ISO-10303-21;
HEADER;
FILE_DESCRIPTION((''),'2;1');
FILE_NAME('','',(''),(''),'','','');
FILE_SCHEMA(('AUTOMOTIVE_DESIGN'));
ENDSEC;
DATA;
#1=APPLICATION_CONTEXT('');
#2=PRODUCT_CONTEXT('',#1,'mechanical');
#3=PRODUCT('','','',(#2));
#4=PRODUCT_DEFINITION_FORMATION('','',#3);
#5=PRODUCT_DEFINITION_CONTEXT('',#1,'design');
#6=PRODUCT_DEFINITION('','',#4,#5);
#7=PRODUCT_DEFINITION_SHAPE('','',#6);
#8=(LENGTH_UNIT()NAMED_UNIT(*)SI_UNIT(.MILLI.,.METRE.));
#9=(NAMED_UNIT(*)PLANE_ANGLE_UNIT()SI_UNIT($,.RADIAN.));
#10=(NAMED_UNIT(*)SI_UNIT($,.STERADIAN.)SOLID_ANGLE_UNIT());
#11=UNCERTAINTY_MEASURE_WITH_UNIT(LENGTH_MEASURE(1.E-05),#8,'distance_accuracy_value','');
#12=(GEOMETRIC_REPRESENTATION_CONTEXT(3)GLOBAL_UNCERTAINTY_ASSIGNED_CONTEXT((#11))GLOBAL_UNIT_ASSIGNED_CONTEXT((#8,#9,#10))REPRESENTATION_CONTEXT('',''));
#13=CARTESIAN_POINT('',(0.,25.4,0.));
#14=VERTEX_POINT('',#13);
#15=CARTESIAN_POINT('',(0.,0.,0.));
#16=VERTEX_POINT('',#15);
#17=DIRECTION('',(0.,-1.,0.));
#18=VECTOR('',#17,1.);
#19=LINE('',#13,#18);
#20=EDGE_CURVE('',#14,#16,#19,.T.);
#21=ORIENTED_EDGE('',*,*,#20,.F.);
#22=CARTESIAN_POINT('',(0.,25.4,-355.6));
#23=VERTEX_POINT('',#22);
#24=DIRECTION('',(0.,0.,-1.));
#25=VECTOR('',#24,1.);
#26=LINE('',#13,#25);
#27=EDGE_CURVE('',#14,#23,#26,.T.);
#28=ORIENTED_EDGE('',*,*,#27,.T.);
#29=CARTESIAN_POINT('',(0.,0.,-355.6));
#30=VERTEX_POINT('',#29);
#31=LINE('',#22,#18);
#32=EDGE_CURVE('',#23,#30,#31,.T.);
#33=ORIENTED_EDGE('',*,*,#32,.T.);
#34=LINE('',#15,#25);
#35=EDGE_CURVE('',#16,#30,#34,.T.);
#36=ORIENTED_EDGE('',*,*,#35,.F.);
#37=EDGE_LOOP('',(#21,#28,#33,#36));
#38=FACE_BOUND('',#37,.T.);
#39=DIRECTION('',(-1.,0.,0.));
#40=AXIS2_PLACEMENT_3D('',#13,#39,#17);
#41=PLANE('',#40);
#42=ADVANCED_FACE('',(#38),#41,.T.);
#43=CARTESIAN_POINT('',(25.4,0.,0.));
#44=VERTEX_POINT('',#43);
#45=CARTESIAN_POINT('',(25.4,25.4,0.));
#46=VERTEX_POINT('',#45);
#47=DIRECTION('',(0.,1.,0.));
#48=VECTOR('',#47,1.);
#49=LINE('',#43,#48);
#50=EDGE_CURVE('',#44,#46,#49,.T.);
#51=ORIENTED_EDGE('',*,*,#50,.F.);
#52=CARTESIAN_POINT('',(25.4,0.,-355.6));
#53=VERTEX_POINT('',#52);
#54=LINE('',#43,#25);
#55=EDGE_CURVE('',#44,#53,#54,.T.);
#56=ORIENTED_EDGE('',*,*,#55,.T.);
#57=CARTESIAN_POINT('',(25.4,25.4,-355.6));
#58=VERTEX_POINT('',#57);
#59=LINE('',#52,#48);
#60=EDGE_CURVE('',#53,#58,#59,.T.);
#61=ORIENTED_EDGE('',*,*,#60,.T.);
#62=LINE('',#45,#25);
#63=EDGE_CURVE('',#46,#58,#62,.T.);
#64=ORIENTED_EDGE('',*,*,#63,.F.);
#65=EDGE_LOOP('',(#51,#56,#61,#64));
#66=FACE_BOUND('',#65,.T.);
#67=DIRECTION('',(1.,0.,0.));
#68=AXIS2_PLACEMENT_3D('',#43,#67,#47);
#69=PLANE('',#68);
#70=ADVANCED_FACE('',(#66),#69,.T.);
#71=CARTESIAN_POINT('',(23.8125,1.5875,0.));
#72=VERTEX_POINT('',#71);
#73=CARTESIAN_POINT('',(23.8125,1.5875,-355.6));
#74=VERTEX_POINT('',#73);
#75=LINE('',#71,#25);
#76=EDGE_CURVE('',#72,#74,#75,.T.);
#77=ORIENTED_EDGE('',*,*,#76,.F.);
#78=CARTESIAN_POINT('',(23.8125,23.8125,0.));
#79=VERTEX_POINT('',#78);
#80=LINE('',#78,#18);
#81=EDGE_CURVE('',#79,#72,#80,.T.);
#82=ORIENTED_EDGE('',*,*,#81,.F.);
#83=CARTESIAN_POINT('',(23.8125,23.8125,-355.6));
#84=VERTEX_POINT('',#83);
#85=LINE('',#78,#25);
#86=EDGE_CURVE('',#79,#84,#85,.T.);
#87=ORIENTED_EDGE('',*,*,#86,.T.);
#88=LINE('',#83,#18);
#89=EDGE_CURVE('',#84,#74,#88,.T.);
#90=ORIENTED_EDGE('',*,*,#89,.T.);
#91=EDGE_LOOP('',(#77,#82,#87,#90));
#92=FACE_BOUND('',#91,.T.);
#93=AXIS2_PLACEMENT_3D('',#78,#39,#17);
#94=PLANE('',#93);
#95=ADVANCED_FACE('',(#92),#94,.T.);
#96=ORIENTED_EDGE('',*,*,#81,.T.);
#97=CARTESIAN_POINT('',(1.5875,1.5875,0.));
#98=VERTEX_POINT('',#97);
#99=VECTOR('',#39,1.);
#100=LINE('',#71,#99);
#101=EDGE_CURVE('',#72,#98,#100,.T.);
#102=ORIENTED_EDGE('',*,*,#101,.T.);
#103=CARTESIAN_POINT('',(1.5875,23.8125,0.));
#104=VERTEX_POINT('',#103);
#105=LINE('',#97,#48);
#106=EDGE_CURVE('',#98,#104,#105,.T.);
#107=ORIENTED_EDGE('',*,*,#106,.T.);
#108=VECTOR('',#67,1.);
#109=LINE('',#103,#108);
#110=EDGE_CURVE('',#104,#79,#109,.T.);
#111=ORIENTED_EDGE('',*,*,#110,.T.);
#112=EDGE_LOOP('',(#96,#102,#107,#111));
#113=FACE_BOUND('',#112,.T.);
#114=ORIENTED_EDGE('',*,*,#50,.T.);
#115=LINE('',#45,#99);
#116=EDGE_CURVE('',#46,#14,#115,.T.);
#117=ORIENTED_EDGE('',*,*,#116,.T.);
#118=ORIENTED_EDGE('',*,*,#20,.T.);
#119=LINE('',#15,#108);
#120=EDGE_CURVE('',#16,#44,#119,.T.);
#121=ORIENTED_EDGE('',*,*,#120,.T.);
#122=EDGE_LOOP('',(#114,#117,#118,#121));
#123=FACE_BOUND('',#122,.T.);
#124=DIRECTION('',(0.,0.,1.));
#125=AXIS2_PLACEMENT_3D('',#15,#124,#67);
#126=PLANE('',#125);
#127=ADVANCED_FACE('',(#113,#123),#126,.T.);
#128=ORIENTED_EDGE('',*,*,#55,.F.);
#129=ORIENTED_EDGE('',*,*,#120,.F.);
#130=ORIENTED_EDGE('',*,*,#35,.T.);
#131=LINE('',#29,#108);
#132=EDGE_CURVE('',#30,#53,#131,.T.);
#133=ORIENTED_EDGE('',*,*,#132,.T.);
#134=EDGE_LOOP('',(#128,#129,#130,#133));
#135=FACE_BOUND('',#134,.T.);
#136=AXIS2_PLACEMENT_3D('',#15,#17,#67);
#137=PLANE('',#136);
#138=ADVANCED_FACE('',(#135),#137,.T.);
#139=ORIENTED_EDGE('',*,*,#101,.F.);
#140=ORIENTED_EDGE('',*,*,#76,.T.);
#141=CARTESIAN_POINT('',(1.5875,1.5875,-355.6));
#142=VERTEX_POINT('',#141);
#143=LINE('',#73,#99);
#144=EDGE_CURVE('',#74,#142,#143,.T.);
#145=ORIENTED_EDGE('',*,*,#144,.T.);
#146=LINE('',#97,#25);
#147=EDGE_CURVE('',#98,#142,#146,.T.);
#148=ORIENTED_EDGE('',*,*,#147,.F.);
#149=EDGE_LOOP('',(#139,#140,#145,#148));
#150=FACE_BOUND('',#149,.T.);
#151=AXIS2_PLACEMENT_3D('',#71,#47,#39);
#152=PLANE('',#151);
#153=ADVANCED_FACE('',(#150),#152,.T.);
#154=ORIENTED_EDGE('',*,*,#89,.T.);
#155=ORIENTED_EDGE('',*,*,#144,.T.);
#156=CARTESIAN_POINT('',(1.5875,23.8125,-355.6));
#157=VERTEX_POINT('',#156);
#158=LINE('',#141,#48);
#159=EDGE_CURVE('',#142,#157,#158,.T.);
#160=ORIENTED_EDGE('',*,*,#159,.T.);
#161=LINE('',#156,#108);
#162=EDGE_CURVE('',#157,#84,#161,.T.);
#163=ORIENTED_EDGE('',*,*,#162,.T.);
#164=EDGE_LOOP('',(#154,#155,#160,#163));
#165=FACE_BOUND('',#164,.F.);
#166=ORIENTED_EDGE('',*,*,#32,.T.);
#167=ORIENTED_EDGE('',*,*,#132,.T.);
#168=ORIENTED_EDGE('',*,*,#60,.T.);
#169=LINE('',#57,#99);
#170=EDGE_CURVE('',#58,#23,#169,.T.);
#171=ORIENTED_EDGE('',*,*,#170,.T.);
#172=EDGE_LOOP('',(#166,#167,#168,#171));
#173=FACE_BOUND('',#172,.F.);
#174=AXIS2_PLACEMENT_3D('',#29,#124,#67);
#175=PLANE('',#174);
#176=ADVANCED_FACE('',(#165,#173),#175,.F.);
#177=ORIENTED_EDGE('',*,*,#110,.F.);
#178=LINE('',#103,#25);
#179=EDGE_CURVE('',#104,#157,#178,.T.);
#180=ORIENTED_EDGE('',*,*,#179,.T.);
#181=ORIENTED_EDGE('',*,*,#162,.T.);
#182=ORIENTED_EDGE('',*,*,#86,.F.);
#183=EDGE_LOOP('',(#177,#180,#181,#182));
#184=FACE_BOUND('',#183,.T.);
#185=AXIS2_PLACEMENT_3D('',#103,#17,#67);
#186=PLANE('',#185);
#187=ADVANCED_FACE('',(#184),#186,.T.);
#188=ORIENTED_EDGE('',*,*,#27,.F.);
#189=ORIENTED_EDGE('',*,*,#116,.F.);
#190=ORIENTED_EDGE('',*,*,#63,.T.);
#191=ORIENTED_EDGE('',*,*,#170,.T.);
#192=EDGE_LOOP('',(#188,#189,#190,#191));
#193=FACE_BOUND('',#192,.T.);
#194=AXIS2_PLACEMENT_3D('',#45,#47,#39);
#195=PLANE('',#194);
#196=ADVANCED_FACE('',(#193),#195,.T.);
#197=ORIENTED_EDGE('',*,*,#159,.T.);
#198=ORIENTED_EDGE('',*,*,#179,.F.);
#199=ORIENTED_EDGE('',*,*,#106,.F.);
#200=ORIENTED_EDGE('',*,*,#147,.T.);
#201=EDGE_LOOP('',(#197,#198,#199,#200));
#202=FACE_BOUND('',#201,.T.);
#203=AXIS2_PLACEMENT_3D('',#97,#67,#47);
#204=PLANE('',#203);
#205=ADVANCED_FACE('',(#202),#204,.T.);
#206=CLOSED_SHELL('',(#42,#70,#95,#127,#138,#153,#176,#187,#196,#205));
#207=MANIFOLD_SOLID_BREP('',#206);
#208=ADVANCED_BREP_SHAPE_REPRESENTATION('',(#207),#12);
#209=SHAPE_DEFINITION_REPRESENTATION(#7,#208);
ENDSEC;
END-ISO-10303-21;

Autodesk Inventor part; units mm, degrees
ref_plane "YZ Plane" through (0, 0, 0) normal (1, 0, 0) x (0, 1, 0)
ref_plane "XZ Plane" through (0, 0, 0) normal (0, 1, 0) x (-1, 0, 0)
ref_plane "XY Plane" through (0, 0, 0) normal (0, 0, 1) x (1, 0, 0)
sketch "Sketch1" plane through (0, 0, 0) normal (0, 0, 1) x (1, 0, 0)
  line L0 (0, 0) -> (25.4, 0)
  line L1 (25.4, 0) -> (25.4, 25.4)
  line L2 (25.4, 25.4) -> (0, 25.4)
  line L3 (0, 25.4) -> (0, 0)
  line L4 (1.5875, 23.8125) -> (23.8125, 23.8125)
  line L5 (23.8125, 23.8125) -> (23.8125, 1.5875)
  line L6 (23.8125, 1.5875) -> (1.5875, 1.5875)
  line L7 (1.5875, 1.5875) -> (1.5875, 23.8125)
  dimension "d0" = 25.4
  dimension "d1" = 25.4
  dimension "d2" = 1.5875
extrude "Extrusion1" add sketch "Sketch1" against normal blind 355.6
properties part number "1tube_14_layer1_outside"
